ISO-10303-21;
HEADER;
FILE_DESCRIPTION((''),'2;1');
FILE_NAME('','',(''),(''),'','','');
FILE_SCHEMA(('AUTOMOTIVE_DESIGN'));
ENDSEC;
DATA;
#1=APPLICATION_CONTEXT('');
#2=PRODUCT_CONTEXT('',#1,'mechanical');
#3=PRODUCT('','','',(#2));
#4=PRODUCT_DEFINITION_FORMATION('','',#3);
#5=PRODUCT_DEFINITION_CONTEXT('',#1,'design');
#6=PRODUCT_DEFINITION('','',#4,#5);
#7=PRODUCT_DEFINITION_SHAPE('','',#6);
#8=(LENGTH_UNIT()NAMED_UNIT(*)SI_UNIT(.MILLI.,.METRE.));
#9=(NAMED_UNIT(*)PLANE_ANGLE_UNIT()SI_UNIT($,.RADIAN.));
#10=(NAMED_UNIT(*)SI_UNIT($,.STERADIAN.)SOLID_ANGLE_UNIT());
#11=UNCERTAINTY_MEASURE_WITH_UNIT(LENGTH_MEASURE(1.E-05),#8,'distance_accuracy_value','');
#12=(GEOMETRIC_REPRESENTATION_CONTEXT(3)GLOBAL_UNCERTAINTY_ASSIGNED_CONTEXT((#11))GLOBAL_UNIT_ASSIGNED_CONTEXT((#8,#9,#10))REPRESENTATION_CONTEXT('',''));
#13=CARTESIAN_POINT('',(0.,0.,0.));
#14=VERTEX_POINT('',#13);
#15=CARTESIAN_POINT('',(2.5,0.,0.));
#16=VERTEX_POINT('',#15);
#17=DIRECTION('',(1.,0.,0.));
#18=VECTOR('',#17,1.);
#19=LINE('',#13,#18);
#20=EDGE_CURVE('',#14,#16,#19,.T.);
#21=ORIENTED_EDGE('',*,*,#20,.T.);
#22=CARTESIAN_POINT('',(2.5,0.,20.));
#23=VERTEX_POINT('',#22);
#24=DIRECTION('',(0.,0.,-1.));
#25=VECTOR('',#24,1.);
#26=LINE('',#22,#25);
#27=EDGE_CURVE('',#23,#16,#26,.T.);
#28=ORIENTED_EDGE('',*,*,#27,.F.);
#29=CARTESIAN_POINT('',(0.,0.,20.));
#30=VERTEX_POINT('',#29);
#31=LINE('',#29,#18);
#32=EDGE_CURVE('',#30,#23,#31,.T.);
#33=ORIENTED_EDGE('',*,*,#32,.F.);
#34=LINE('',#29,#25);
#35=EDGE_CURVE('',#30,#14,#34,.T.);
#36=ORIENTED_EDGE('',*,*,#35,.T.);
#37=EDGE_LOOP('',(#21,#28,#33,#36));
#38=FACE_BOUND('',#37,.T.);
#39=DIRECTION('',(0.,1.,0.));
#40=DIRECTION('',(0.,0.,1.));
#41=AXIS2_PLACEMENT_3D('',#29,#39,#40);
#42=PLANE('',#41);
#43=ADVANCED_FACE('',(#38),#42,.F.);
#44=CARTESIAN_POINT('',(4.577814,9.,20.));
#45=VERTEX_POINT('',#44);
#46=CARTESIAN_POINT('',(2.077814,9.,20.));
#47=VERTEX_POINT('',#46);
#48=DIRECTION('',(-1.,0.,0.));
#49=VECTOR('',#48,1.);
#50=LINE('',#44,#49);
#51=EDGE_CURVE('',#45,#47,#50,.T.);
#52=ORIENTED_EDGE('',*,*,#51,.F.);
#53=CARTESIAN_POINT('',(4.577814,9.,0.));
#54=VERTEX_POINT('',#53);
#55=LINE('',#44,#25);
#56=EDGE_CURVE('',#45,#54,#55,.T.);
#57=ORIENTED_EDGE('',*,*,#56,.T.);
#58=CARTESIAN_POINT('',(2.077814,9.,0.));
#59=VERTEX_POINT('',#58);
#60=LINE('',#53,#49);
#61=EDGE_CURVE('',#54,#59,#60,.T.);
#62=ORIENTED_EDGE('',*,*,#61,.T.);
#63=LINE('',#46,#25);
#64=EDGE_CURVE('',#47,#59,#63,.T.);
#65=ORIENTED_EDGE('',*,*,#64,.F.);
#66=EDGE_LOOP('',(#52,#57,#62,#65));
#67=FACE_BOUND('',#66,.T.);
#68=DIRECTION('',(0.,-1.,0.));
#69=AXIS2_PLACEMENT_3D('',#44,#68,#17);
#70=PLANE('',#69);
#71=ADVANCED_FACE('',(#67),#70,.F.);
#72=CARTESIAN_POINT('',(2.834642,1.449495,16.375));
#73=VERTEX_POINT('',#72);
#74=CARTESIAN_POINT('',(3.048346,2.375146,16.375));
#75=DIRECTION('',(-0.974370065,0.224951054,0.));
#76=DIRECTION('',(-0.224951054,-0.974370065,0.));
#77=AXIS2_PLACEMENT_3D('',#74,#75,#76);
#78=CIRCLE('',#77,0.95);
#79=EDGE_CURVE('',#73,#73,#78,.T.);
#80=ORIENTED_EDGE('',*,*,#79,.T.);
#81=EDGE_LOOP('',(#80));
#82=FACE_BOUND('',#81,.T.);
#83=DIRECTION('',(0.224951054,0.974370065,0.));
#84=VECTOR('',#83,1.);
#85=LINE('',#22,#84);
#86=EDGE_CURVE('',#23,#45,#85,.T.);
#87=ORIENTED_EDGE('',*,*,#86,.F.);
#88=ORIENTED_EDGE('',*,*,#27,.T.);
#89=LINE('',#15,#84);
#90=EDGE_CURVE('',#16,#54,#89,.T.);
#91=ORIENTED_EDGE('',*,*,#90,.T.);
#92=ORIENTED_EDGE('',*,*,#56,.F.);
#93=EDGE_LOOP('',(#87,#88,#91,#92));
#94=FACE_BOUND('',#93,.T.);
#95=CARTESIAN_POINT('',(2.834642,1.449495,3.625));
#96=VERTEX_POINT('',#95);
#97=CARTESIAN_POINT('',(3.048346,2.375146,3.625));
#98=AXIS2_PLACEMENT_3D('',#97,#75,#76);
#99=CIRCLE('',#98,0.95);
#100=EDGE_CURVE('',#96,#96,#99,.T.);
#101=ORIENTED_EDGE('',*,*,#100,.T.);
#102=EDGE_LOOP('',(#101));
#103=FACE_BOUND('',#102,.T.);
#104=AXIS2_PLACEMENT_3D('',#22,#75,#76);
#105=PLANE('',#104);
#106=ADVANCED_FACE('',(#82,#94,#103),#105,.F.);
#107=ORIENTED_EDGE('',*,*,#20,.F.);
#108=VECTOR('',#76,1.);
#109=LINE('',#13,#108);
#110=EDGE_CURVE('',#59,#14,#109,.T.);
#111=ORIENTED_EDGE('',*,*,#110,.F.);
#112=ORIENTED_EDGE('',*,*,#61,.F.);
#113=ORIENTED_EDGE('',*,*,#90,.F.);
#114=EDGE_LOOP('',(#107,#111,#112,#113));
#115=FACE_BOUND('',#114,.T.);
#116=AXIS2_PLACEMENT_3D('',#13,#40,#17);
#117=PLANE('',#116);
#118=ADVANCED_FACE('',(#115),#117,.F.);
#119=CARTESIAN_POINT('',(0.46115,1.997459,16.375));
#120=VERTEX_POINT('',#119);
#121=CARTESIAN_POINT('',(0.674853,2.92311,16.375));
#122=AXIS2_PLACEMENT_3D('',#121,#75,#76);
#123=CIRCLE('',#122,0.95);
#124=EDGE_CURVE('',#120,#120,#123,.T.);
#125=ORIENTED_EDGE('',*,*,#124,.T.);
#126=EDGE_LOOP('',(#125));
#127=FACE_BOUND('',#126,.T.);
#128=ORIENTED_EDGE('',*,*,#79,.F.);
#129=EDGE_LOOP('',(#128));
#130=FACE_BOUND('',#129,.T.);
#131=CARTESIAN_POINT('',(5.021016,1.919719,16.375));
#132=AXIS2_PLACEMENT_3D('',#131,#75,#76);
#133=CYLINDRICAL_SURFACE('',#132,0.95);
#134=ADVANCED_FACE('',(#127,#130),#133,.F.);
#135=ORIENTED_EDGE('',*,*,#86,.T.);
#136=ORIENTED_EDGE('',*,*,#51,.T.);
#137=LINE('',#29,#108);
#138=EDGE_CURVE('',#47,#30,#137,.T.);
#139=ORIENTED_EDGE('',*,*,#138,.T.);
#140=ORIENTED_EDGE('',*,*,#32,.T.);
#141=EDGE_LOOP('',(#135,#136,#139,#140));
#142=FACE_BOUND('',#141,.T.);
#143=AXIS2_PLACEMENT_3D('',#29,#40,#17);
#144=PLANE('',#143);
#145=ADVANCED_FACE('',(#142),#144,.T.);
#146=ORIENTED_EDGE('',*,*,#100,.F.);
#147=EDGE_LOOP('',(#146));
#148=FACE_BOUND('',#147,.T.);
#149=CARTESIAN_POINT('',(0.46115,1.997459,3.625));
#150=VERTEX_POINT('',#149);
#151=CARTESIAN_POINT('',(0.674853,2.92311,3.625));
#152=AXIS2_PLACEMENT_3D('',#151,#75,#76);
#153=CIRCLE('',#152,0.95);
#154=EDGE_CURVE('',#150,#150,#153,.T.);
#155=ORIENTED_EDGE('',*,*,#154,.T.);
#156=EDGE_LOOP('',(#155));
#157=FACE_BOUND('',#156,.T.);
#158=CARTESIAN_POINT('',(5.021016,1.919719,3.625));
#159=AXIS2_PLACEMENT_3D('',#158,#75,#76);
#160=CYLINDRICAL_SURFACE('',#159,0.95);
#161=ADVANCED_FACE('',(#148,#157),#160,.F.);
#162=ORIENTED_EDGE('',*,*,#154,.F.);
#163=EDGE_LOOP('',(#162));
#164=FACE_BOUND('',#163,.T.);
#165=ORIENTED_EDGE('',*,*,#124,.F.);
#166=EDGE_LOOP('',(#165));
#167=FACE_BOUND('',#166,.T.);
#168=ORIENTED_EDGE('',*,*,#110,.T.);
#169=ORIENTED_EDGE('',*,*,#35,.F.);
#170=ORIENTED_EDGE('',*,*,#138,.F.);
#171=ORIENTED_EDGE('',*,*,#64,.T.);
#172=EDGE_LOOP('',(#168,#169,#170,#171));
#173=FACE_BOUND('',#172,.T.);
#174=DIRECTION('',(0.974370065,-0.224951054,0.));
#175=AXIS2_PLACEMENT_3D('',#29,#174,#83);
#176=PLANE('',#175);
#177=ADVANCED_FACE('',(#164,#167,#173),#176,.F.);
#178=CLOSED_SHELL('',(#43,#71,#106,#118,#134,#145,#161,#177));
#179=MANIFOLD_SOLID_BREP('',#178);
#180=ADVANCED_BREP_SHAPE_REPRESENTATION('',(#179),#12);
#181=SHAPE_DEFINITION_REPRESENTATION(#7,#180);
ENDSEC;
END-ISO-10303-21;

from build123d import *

# Parameters (mm, degrees)
BOSS_EXTRUDE2_DEPTH = 20
SKETCH4_R           = 0.95
CUT_EXTRUDE1_DEPTH  = 5.460484651


with BuildPart() as part:
    # Sketch2 → Boss-Extrude2 (new body)
    with BuildSketch(Plane.XY):
        Polygon((0, 0), (2.5, 0), (4.57781372, 9), (2.07781372, 9), align=None)
    extrude(amount=BOSS_EXTRUDE2_DEPTH)

    # Sketch4 → Cut-Extrude1 (cut, through all)
    with BuildSketch(Plane(origin=(0, 0, 0), x_dir=(0, 0, 1), z_dir=(-0.974370065, 0.224951054, 0))):
        with Locations((3.625, 3)):
            Circle(SKETCH4_R)
        with Locations((16.375, 3)):
            Circle(SKETCH4_R)
    extrude(amount=-CUT_EXTRUDE1_DEPTH, mode=Mode.SUBTRACT)


solid = part.part
